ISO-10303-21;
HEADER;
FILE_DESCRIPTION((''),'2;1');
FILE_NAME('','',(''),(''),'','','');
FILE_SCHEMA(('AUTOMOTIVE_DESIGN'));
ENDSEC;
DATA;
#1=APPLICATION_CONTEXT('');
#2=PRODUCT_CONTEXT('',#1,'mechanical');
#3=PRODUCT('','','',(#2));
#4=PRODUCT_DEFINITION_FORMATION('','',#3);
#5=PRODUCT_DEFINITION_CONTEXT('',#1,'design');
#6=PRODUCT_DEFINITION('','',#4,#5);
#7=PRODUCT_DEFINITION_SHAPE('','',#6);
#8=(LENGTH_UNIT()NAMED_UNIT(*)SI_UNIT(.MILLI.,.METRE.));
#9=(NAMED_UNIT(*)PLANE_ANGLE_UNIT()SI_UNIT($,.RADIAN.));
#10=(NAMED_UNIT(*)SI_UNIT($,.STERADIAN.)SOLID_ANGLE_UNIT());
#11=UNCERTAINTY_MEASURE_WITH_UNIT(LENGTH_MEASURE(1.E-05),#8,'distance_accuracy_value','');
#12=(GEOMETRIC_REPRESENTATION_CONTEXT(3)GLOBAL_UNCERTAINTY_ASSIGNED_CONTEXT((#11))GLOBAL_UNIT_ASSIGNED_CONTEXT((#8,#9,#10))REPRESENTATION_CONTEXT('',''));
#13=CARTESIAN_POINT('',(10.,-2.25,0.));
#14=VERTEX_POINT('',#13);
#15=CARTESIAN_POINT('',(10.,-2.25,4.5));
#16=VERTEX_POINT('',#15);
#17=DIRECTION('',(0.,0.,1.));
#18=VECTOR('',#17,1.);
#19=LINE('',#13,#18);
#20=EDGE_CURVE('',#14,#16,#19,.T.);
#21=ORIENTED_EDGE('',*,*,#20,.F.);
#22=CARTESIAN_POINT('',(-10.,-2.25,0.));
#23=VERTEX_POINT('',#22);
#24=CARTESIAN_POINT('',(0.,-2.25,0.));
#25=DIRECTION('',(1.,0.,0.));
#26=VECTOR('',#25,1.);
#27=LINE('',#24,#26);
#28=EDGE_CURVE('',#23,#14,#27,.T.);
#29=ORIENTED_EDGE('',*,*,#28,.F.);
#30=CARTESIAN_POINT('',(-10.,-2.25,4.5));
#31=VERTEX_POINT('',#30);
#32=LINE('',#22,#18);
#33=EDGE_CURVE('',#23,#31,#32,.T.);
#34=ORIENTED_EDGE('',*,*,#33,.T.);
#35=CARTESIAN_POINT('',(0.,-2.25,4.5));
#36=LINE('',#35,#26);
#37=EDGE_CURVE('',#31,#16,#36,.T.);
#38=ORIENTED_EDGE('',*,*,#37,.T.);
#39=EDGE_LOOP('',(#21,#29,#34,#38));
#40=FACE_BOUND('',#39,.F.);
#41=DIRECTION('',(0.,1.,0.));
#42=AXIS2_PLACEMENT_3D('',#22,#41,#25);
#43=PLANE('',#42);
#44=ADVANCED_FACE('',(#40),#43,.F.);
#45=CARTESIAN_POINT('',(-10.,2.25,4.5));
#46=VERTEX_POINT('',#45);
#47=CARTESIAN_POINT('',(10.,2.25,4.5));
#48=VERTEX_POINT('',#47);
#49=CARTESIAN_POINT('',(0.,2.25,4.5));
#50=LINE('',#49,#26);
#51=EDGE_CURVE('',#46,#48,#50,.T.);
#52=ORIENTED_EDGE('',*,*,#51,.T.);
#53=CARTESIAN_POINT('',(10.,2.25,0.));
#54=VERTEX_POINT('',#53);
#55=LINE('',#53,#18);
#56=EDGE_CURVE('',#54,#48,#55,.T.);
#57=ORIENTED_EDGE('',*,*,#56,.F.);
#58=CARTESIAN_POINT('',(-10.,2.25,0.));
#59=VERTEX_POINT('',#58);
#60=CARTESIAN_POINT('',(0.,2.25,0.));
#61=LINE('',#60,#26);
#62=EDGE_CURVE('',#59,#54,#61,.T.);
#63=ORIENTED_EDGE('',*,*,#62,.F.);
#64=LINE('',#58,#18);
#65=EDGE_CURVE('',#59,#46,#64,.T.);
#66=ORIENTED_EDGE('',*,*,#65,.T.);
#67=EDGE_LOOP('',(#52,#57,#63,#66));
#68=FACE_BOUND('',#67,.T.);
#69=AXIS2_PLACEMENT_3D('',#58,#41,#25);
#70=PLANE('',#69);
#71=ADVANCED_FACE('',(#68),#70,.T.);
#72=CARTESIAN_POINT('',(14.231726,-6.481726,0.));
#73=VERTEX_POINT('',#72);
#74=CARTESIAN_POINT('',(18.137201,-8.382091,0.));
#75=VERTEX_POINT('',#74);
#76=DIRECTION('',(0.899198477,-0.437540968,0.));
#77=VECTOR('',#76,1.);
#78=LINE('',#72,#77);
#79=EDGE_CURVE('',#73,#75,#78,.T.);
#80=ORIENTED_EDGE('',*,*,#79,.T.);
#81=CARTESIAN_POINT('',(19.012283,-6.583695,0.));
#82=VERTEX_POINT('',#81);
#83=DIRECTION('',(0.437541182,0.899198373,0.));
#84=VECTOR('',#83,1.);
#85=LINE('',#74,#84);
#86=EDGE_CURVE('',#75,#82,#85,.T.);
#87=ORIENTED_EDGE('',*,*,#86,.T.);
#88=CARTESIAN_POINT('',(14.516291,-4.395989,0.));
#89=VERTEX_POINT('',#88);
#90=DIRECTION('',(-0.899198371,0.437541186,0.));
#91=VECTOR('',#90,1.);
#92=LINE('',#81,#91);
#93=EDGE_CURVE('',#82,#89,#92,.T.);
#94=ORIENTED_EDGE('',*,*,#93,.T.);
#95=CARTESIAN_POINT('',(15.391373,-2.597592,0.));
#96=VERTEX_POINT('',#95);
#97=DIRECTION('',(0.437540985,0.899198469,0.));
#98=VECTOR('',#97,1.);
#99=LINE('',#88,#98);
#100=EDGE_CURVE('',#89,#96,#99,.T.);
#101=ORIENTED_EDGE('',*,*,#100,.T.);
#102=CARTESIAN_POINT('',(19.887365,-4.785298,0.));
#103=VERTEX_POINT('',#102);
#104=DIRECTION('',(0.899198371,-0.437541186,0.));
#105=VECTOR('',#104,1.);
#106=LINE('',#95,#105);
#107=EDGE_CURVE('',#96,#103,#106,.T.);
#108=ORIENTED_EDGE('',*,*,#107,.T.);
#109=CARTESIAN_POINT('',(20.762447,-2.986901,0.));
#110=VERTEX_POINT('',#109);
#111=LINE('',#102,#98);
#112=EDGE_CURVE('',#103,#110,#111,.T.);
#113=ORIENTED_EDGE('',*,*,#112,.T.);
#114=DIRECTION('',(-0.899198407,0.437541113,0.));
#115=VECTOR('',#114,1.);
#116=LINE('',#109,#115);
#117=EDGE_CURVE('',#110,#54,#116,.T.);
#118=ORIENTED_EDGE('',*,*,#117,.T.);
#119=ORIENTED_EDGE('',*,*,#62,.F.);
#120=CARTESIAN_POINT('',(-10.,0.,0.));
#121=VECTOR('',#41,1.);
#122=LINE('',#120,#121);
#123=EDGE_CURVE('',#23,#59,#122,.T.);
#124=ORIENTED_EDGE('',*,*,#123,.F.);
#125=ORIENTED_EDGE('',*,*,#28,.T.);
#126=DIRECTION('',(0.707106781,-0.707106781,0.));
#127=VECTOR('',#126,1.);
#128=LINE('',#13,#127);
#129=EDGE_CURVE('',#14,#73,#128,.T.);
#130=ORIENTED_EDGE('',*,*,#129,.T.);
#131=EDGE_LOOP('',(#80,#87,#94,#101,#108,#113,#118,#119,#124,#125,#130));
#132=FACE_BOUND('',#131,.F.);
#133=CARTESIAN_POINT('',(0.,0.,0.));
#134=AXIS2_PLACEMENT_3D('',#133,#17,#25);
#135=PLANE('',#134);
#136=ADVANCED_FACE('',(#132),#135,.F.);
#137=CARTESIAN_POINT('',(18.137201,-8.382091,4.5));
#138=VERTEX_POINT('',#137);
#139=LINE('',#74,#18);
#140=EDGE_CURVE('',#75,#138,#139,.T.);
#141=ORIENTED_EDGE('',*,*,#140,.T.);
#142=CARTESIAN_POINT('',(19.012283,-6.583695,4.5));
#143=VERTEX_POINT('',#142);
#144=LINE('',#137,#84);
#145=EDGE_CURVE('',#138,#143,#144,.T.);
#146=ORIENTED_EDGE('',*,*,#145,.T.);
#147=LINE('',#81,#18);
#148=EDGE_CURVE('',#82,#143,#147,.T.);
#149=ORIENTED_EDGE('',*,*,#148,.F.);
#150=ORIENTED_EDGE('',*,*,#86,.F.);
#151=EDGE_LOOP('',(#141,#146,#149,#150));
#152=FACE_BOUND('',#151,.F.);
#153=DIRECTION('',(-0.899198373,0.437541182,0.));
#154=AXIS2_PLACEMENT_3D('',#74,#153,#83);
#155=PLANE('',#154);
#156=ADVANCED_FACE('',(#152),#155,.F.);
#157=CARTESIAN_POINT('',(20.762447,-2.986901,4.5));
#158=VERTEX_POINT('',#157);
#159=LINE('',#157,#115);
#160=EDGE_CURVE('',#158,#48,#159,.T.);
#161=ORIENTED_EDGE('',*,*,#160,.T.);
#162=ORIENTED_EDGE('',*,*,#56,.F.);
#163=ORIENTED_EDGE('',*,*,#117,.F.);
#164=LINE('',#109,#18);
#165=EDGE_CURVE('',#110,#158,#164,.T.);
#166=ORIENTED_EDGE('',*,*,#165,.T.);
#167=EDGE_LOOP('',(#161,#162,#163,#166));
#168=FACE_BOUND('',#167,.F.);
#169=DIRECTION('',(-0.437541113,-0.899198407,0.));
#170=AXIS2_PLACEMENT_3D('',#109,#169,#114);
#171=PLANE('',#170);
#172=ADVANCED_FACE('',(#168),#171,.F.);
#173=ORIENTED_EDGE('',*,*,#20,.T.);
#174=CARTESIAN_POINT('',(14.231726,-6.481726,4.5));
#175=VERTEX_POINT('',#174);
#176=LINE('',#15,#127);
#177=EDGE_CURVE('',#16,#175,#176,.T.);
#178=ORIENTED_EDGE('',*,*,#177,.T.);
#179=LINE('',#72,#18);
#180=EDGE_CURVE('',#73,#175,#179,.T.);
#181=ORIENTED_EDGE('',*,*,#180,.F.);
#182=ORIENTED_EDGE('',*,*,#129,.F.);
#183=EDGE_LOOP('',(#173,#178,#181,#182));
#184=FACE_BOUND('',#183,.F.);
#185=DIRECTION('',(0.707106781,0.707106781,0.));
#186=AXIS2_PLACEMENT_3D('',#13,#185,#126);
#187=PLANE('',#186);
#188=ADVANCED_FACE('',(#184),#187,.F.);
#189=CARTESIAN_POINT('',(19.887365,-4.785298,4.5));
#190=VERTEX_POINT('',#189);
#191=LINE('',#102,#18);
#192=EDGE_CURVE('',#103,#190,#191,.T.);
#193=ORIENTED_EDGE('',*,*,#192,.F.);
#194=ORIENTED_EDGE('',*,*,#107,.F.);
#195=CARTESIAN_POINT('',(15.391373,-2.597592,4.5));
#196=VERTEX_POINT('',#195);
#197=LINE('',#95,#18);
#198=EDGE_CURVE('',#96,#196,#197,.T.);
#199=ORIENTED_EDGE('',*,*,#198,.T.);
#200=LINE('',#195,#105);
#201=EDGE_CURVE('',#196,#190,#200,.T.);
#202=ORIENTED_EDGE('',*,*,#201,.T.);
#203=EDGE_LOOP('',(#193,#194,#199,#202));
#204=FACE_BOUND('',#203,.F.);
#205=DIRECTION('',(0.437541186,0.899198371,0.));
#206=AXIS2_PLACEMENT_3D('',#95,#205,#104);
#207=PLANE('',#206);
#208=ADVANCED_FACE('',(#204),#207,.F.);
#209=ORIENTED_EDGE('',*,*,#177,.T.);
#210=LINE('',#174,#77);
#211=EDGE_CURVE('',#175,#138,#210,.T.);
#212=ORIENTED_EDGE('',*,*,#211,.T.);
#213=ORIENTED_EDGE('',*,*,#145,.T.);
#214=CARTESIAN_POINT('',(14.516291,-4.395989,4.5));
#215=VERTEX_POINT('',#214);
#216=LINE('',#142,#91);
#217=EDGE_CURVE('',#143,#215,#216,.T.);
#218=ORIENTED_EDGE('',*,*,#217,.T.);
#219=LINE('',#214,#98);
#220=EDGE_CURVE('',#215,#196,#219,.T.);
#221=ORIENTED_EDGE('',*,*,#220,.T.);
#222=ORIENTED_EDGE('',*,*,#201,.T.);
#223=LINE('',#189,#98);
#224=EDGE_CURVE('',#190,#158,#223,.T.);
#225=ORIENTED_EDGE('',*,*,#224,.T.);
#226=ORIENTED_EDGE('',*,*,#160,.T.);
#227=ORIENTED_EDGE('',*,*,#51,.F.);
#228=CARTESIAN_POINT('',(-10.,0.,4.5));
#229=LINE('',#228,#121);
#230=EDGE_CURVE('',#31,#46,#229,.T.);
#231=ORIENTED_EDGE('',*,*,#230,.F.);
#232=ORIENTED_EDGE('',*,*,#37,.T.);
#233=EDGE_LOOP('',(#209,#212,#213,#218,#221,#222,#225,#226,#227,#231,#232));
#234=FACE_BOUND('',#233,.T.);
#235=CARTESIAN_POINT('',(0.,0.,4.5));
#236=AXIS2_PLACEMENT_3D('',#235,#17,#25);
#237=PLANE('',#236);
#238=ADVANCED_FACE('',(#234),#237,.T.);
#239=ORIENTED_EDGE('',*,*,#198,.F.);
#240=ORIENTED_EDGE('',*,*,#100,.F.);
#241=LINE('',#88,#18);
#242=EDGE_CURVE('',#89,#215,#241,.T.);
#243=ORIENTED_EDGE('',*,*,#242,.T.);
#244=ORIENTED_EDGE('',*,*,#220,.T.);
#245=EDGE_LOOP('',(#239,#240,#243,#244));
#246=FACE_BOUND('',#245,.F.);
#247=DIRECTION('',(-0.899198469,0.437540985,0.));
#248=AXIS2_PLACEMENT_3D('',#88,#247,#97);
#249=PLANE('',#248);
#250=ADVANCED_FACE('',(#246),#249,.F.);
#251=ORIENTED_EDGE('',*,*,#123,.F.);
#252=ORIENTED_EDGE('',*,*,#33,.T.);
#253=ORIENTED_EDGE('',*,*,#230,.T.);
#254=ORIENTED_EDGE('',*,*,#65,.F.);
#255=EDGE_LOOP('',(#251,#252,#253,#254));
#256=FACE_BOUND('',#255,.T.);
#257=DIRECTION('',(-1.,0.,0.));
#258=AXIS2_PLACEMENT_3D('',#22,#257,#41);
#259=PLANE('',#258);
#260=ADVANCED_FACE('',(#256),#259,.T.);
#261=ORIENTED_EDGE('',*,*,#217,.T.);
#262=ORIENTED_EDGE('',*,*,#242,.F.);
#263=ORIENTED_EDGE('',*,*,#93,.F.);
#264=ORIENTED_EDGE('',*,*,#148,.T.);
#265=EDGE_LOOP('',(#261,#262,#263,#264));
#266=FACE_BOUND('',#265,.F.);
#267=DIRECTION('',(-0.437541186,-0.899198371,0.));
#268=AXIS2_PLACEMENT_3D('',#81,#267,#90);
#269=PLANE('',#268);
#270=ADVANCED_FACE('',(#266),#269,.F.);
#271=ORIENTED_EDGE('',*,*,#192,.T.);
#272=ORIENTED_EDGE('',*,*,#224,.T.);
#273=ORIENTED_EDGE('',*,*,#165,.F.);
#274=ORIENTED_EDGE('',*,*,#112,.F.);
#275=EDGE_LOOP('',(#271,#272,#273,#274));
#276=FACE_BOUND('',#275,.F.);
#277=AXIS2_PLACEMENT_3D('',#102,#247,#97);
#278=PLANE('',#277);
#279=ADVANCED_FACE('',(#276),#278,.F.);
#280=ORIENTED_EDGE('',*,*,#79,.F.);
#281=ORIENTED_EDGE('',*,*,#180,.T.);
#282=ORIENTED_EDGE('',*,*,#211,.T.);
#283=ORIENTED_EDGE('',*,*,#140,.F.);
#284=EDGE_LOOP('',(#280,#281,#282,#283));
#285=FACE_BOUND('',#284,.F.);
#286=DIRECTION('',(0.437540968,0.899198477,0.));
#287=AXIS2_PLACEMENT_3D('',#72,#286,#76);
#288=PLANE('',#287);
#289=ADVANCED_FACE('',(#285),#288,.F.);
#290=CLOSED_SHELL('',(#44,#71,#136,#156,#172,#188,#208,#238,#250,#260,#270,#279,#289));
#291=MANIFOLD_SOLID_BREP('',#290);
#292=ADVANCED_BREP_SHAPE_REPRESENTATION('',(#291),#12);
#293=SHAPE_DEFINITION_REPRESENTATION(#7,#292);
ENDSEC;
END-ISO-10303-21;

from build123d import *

# Parameters (mm, degrees)
F0_W     = 20
F0_H     = 4.5
F1_DEPTH = 4.5


with BuildPart() as f1:
    # F0 (on Top) → F1 (new body)
    with BuildSketch(Plane.XY):
        Rectangle(F0_W, F0_H)
        Polygon((10, 2.25), (10, -2.25), (14.231726, -6.481726), (18.137201, -8.382091), (19.012283, -6.583695), (14.516291, -4.395989), (15.391373, -2.597592), (19.887365, -4.785298), (20.762447, -2.986901), align=None)
    extrude(amount=F1_DEPTH)


solid = f1.part
